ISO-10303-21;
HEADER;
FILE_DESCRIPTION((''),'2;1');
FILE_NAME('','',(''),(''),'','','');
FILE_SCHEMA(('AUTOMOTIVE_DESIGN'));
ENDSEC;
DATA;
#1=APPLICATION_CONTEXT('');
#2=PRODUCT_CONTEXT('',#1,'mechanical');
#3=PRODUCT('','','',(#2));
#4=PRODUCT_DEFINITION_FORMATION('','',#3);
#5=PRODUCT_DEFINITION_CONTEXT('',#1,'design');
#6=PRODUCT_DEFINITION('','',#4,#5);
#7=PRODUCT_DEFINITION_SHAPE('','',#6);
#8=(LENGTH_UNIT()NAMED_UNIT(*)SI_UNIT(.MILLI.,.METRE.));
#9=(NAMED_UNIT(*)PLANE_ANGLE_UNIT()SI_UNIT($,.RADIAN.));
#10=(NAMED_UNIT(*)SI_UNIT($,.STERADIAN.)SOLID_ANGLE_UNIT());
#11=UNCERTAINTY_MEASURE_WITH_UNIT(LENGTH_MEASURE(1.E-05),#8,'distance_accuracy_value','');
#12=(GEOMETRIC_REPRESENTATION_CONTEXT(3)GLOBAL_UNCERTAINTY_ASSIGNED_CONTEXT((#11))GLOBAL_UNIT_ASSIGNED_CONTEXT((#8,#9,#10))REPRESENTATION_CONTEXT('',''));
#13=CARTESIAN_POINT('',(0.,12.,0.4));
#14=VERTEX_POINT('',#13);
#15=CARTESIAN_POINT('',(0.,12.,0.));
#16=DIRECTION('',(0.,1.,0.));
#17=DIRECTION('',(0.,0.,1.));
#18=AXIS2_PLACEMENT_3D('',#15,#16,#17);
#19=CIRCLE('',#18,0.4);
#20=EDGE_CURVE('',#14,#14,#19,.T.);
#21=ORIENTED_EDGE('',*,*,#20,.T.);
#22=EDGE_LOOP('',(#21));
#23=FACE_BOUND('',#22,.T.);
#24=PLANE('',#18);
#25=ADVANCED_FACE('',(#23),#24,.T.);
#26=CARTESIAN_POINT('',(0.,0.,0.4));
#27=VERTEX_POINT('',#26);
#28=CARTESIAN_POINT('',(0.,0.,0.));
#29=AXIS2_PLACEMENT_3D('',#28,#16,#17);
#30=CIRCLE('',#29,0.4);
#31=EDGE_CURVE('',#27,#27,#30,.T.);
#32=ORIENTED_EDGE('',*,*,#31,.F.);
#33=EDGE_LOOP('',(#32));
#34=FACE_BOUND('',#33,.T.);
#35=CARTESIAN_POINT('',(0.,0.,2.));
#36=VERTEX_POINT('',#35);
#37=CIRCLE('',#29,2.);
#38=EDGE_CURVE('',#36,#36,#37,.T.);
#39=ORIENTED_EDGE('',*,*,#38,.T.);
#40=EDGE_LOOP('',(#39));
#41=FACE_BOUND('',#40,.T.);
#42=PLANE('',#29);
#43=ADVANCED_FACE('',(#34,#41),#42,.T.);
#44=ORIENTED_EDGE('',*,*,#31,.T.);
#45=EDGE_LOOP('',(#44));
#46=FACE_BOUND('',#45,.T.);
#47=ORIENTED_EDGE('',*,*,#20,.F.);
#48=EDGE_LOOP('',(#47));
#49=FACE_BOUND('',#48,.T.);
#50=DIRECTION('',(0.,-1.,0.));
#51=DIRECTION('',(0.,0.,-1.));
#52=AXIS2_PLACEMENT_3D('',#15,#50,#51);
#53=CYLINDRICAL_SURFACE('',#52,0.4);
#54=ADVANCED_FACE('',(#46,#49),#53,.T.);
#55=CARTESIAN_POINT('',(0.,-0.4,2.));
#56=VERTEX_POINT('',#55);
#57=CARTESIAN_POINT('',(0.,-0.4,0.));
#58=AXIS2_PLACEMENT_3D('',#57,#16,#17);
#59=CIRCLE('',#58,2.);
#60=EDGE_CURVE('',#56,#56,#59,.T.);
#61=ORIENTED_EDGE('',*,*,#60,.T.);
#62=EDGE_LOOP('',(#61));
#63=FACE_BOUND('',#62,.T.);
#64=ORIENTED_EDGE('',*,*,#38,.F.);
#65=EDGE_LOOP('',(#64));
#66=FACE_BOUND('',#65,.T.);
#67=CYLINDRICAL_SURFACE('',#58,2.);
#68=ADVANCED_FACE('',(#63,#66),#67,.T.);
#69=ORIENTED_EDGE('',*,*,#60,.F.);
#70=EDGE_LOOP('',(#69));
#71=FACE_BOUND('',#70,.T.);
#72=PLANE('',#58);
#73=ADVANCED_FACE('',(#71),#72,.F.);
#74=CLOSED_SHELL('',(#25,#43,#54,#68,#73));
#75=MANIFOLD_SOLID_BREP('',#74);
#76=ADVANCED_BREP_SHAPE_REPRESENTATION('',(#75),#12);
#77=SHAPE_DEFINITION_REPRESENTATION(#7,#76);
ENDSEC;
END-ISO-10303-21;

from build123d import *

# Parameters (mm, degrees)
SKETCH1_R           = 2
BOSS_EXTRUDE1_DEPTH = 0.4
SKETCH1_3_R         = 0.4
BOSS_EXTRUDE2_DEPTH = 12


with BuildPart() as part:
    # Sketch1 → Boss-Extrude1 (new body)
    with BuildSketch(Plane(origin=(0, 0, 0), x_dir=(1, 0, 0), z_dir=(0, 1, 0))):
        Circle(SKETCH1_R)
    extrude(amount=-BOSS_EXTRUDE1_DEPTH)

    # Sketch1<3> → Boss-Extrude2 (add)
    with BuildSketch(Plane(origin=(0, 0, 0), x_dir=(1, 0, 0), z_dir=(0, 1, 0))):
        Circle(SKETCH1_3_R)
    extrude(amount=BOSS_EXTRUDE2_DEPTH)


solid = part.part
